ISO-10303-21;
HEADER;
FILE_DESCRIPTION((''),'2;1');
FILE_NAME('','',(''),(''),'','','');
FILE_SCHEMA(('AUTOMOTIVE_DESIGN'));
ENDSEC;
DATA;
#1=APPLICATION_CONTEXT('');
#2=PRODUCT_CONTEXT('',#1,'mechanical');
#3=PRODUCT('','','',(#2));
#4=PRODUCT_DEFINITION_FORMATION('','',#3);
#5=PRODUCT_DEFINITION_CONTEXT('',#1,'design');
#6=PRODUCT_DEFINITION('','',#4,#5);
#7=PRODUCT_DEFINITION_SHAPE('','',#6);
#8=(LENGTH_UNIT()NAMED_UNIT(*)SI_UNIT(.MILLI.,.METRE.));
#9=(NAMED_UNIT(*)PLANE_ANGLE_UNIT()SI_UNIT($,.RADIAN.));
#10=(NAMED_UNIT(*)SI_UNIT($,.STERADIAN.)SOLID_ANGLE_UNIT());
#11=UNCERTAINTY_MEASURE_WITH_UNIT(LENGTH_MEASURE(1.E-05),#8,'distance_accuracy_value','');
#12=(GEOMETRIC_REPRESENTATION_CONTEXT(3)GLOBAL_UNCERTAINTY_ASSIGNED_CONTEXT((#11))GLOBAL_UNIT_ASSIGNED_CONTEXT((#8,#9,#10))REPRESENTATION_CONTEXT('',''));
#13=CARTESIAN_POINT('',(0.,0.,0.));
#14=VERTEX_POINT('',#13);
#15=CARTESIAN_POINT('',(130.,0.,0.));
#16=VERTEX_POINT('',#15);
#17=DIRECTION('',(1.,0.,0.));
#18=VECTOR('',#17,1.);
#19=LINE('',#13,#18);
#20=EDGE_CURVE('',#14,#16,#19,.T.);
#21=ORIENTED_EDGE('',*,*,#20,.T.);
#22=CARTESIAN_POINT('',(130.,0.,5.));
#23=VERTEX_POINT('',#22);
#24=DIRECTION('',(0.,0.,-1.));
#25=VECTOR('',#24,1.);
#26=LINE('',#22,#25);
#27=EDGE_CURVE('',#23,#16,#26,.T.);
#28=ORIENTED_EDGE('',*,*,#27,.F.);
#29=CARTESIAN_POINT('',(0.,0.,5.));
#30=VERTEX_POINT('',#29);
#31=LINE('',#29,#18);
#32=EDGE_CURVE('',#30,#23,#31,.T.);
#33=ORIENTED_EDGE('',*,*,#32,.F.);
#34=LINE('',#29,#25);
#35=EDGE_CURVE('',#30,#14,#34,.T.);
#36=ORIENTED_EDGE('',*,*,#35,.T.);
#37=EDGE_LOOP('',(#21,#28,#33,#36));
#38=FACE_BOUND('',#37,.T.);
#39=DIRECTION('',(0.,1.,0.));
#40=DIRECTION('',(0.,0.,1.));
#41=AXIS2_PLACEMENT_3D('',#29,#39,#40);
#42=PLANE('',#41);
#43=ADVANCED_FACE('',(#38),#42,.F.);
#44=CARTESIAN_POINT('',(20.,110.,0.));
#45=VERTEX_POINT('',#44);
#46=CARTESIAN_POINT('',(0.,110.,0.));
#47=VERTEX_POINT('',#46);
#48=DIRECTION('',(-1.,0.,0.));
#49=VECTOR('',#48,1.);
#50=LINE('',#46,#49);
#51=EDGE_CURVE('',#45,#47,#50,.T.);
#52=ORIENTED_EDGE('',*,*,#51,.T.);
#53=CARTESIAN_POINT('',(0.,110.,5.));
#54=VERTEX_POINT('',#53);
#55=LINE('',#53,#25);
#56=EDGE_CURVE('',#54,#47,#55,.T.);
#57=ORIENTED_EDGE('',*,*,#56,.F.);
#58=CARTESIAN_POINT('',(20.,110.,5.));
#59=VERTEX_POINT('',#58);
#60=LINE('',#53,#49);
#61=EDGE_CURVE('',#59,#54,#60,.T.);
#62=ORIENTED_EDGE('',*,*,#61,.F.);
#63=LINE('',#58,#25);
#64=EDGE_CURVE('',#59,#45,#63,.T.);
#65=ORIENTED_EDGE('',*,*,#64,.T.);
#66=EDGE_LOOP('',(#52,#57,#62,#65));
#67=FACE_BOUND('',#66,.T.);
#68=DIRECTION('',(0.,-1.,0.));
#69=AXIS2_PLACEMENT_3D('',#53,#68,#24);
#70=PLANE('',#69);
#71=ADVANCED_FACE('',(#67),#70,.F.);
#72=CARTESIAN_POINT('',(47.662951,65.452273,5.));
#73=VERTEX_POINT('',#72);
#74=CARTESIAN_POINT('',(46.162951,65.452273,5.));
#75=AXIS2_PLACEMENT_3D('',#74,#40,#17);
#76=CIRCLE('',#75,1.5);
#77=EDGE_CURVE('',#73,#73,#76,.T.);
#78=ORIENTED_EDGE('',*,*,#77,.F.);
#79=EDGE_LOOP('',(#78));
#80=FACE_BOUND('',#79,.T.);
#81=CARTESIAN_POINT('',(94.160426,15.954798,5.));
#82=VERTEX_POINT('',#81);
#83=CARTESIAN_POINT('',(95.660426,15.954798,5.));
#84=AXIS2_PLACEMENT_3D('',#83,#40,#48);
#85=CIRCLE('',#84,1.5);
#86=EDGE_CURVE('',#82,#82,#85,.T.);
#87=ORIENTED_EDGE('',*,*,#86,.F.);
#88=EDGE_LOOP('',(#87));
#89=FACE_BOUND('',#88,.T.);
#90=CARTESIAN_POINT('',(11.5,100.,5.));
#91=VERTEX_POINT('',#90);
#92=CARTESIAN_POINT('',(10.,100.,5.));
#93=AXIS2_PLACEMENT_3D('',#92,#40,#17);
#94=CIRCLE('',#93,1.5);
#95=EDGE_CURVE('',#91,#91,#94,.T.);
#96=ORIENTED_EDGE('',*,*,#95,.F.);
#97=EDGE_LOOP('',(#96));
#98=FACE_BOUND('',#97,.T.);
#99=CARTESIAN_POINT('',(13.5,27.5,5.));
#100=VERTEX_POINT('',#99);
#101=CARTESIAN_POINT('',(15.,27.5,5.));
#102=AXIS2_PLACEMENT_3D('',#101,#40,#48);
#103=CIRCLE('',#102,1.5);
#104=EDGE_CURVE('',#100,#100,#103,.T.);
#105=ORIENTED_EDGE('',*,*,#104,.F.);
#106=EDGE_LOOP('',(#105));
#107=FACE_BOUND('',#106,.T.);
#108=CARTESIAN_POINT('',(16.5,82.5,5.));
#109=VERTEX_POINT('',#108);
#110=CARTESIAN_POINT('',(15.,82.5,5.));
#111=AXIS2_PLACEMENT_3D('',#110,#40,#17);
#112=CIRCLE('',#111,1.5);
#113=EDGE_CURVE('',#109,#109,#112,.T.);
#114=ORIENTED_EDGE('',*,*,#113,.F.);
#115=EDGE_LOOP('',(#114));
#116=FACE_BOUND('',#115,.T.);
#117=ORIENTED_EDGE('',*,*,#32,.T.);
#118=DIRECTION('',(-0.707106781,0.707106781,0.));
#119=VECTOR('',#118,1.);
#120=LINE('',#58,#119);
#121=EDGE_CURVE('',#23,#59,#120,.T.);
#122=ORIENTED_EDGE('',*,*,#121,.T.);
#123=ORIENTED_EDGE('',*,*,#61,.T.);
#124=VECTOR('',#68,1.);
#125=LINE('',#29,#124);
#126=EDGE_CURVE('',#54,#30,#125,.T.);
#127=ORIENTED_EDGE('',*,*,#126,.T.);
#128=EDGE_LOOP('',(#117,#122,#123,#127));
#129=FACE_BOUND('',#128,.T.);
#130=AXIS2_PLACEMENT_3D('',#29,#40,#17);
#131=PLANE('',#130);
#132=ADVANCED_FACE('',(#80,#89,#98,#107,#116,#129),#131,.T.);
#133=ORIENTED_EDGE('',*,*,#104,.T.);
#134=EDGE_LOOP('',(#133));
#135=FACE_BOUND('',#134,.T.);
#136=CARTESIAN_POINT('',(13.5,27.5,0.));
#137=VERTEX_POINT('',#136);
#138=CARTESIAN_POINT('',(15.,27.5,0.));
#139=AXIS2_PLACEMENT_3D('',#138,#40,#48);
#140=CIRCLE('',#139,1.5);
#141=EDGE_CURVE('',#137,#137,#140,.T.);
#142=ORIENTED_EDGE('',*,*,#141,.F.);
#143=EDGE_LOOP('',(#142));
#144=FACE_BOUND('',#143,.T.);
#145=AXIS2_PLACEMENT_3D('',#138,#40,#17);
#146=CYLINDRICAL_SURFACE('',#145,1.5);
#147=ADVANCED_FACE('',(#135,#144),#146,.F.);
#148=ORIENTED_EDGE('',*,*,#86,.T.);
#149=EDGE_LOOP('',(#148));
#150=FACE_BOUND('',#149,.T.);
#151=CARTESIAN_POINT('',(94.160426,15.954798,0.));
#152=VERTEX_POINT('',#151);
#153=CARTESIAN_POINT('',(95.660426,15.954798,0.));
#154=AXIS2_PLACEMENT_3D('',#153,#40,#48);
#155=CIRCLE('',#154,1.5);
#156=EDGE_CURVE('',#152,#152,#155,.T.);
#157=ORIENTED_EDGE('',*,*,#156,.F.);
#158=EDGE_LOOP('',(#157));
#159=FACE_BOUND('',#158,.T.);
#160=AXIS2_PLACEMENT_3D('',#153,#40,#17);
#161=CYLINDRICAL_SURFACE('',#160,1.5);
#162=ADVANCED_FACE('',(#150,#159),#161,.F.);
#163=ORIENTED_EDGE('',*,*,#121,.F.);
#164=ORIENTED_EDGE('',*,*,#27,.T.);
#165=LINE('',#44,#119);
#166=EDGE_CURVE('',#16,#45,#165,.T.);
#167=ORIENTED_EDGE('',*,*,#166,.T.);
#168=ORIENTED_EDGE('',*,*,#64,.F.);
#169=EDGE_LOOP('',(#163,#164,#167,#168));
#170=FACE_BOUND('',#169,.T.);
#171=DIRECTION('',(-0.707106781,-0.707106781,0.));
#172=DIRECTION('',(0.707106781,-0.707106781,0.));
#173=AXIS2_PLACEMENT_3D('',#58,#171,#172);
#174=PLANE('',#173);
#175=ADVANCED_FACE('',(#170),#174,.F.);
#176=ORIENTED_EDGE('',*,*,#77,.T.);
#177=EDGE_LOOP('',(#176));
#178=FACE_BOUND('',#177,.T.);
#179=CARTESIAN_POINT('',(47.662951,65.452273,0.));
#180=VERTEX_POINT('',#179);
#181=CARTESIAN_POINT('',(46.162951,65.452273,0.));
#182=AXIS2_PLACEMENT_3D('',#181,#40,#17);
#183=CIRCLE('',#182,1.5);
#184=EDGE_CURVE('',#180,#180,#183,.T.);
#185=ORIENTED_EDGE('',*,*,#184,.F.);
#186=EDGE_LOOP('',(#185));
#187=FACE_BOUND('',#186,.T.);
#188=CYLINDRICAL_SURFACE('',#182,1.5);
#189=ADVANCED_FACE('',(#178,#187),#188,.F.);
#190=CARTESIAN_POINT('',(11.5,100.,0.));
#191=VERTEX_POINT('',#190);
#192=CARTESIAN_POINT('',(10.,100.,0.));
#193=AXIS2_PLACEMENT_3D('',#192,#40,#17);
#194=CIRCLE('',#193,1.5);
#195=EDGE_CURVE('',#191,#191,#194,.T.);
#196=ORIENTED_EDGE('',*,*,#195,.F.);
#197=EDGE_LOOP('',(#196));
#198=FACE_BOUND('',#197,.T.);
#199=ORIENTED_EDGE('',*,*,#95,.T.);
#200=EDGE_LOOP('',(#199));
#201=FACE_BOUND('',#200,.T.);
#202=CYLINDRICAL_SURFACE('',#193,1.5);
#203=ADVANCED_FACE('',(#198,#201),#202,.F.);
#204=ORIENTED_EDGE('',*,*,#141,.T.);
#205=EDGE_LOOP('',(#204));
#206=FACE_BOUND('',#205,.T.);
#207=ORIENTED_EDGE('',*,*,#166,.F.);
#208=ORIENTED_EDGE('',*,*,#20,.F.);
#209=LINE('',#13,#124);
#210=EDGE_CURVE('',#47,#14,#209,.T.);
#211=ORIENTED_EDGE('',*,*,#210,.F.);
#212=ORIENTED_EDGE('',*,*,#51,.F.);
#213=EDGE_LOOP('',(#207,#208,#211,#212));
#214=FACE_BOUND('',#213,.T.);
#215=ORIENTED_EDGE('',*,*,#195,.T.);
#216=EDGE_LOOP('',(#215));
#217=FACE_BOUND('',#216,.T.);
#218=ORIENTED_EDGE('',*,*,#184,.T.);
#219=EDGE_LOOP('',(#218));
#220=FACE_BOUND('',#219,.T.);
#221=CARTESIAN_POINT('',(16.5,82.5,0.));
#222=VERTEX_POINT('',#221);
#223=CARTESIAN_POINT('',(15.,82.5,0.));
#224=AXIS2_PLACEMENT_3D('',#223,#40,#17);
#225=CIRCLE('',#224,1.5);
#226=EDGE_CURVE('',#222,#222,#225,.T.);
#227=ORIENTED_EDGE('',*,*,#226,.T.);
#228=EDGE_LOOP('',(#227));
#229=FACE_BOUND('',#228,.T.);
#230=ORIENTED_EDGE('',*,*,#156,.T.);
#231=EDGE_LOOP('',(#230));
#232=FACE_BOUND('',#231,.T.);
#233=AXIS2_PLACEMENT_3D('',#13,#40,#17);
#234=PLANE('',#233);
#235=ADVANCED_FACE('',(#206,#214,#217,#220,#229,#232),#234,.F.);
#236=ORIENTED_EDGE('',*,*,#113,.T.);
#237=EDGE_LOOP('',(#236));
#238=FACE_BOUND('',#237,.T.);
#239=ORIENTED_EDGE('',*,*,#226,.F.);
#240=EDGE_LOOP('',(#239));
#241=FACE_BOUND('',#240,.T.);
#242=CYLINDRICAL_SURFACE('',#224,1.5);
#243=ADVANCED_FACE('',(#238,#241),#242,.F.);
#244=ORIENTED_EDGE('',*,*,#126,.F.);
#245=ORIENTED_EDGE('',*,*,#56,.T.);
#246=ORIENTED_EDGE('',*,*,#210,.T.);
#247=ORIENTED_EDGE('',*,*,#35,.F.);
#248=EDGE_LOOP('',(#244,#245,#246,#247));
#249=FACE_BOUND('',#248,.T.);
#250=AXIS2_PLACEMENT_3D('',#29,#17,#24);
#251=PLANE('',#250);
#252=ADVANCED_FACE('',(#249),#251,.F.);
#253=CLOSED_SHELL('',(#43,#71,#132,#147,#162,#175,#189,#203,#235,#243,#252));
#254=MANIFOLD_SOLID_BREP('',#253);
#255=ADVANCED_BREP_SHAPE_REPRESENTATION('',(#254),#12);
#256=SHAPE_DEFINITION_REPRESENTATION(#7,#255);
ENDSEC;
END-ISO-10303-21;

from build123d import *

# Parameters (mm, degrees)
BOSS_EXTRUDE1_DEPTH = 5
SKETCH2_R           = 1.5
CUT_EXTRUDE1_DEPTH  = 6
SKETCH3_R           = 1.5
CUT_EXTRUDE2_DEPTH  = 6
SKETCH4_R           = 1.5
CUT_EXTRUDE3_DEPTH  = 6


with BuildPart() as part:
    # Sketch1 → Boss-Extrude1 (new body)
    with BuildSketch(Plane.XY):
        Polygon((0, 0), (0, 110), (20, 110), (130, 0), align=None)
    extrude(amount=BOSS_EXTRUDE1_DEPTH)

    # Sketch2 → Cut-Extrude1 (cut, through all)
    with BuildSketch(Plane.XY.offset(5)):
        with Locations((15, 82.5)):
            Circle(SKETCH2_R)
        with Locations((15, 27.5)):
            Circle(SKETCH2_R)
    extrude(amount=-CUT_EXTRUDE1_DEPTH, mode=Mode.SUBTRACT)

    # Sketch3 → Cut-Extrude2 (cut, through all)
    with BuildSketch(Plane.XY.offset(5)):
        with Locations((46.162950904, 65.452272785)):
            Circle(SKETCH3_R)
        with Locations((95.660425587, 15.954798102)):
            Circle(SKETCH3_R)
    extrude(amount=-CUT_EXTRUDE2_DEPTH, mode=Mode.SUBTRACT)

    # Sketch4 → Cut-Extrude3 (cut, through all)
    with BuildSketch(Plane.XY.offset(5)):
        with Locations((10, 100)):
            Circle(SKETCH4_R)
    extrude(amount=-CUT_EXTRUDE3_DEPTH, mode=Mode.SUBTRACT)


solid = part.part
